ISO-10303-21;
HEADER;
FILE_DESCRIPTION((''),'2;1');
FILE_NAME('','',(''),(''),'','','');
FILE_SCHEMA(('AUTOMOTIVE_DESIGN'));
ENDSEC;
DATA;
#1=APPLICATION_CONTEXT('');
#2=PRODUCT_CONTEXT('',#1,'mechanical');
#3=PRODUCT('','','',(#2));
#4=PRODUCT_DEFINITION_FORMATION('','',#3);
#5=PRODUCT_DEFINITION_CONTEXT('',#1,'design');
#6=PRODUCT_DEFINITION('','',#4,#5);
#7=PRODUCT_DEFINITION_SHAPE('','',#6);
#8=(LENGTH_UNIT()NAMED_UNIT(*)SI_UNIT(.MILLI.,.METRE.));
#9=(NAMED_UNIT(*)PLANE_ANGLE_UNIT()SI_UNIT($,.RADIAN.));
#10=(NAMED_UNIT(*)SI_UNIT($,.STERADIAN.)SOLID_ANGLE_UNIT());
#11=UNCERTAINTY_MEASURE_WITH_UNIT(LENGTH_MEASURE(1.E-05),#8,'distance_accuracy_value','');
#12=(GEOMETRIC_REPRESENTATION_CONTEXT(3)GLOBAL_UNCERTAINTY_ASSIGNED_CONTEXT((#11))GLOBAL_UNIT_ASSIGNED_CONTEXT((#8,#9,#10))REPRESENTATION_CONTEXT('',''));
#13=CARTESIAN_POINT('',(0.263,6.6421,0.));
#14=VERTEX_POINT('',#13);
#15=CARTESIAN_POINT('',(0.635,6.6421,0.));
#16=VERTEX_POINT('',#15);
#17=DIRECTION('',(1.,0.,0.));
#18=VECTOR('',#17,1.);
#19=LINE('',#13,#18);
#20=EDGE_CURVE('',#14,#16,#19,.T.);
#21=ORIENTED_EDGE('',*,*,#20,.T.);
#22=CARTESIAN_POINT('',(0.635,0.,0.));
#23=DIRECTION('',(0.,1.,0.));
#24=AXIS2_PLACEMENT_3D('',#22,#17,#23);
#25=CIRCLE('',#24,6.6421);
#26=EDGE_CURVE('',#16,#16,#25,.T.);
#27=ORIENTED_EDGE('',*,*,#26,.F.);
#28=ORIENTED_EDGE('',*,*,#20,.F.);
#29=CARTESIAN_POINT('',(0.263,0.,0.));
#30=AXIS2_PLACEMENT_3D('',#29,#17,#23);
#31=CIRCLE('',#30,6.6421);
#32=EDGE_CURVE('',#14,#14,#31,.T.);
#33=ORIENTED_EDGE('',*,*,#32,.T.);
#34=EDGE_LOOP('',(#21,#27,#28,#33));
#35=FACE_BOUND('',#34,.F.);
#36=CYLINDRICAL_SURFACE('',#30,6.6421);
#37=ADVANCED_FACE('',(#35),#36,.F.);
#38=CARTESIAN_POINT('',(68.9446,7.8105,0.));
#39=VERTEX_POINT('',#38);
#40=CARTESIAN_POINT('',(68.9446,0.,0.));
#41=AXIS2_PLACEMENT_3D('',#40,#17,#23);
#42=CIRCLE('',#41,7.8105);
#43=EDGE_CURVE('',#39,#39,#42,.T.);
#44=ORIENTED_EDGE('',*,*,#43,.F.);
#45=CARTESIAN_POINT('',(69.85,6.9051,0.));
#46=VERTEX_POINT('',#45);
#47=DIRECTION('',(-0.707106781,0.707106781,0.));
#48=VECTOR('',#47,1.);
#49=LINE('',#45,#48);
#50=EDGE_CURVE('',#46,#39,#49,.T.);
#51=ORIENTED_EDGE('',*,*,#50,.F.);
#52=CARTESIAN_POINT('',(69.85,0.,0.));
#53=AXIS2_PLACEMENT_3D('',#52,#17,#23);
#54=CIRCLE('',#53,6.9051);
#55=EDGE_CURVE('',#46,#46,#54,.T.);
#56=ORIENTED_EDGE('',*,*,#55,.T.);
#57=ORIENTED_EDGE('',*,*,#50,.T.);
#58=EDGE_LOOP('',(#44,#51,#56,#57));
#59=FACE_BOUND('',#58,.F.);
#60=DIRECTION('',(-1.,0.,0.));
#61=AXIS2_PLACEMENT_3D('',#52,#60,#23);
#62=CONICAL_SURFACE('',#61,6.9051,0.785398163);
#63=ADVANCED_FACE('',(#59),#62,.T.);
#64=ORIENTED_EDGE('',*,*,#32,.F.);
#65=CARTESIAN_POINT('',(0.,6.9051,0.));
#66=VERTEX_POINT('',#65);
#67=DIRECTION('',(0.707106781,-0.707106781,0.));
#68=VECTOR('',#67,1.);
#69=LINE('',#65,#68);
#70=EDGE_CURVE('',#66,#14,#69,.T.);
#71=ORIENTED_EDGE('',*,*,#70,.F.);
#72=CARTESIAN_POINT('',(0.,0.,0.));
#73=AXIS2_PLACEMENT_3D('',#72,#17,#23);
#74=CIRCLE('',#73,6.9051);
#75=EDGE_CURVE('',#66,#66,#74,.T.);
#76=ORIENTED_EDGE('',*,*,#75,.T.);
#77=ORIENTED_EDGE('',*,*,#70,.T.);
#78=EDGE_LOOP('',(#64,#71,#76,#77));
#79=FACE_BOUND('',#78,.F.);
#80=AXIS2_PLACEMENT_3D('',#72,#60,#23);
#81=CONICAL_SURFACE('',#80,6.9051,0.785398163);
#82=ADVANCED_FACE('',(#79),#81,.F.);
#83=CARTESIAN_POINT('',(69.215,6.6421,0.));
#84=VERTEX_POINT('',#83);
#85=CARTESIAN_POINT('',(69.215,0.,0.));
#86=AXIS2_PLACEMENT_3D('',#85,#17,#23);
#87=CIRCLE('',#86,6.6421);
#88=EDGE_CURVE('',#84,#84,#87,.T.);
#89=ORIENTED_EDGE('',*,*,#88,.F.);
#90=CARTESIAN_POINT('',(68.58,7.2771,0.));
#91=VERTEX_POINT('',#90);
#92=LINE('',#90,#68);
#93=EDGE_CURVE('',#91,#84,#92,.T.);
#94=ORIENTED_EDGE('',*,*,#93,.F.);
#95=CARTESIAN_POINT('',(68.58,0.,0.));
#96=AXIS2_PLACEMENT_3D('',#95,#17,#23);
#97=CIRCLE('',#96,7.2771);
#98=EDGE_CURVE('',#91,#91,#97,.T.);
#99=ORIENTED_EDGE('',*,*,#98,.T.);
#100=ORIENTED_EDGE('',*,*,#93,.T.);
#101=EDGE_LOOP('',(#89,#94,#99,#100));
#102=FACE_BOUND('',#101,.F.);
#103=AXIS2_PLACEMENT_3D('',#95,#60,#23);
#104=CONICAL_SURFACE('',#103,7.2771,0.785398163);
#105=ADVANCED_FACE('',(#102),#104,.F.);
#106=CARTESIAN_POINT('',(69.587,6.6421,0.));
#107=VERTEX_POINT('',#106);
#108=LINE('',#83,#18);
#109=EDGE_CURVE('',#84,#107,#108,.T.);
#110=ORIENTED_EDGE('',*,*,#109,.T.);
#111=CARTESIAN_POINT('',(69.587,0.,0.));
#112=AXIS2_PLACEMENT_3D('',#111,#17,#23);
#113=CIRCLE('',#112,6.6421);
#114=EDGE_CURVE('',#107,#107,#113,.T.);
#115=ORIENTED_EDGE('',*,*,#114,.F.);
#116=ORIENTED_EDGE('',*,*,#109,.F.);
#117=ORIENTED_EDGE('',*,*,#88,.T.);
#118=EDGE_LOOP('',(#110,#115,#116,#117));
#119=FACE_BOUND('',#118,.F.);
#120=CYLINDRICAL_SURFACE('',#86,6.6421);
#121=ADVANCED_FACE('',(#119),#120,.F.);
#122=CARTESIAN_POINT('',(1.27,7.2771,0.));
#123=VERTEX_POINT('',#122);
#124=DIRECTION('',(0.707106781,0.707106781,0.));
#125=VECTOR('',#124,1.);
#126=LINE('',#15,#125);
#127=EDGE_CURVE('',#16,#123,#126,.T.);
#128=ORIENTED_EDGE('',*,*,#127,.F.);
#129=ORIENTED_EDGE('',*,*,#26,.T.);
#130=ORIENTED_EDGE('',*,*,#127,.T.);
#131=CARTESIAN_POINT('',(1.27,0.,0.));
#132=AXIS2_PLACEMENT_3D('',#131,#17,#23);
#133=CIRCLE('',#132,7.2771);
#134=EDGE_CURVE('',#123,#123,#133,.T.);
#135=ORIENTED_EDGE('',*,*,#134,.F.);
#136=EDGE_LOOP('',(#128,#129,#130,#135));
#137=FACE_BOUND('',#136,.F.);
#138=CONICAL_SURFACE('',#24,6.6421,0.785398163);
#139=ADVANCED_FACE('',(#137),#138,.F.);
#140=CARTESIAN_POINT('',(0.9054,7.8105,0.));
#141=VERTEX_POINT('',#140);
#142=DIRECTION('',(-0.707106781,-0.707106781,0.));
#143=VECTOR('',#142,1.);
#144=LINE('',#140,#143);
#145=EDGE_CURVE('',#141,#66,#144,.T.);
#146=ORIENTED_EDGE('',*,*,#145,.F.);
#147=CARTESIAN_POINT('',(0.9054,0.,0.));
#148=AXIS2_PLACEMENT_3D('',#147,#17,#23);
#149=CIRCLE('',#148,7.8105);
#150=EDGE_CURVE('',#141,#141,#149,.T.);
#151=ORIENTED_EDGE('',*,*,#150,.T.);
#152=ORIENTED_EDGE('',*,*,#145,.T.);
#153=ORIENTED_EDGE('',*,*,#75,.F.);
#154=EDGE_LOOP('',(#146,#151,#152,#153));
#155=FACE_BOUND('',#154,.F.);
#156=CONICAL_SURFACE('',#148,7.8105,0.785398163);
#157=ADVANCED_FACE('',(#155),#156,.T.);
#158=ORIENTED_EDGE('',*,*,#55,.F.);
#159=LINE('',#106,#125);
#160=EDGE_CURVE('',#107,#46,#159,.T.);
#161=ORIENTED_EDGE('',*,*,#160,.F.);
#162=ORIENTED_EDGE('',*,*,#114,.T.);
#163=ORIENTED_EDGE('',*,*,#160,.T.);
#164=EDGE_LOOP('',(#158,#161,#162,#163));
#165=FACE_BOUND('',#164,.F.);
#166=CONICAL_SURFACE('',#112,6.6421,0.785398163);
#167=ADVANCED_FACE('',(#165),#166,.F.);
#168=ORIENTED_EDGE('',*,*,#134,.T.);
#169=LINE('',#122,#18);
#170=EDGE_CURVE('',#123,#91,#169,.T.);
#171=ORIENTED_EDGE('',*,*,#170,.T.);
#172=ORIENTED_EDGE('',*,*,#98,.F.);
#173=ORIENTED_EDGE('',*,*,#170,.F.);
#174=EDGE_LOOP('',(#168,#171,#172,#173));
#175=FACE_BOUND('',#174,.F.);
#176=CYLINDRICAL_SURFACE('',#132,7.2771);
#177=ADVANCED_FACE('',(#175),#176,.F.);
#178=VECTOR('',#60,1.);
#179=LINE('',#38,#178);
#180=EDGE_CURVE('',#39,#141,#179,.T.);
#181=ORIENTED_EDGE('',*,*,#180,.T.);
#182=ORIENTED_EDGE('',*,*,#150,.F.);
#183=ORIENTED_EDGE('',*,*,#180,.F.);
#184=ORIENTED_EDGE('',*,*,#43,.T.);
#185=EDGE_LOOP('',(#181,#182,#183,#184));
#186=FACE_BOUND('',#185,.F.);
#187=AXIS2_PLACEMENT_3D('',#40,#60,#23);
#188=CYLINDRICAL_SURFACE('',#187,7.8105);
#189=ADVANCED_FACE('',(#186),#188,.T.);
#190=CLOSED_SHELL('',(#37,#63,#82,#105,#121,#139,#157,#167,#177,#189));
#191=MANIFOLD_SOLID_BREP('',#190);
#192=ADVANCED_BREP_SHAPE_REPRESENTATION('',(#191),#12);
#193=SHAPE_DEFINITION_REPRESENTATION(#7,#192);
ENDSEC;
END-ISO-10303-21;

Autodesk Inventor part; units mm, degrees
sketch "Sketch_5" plane through (0, 0, 0) normal (0, 0, 1) x (1, 0, 0)
  line L0 (69.85, 0) -> (-69.85, 0)
  line L1 (0, 6.9051) -> (0.263, 6.6421)
  line L2 (0.263, 6.6421) -> (0.635, 6.6421)
  line L3 (0.635, 6.6421) -> (1.27, 7.2771)
  line L4 (1.27, 7.2771) -> (68.58, 7.2771)
  line L5 (68.58, 7.2771) -> (69.215, 6.6421)
  line L6 (69.215, 6.6421) -> (69.587, 6.6421)
  line L7 (69.587, 6.6421) -> (69.85, 6.9051)
  line L8 (69.85, 6.9051) -> (68.9446, 7.8105)
  line L9 (68.9446, 7.8105) -> (0.9054, 7.8105)
  line L10 (0.9054, 7.8105) -> (0, 6.9051)
revolve "Revolution1" add sketch "Sketch_5" angle 360 about axis through (69.85, 0, 0) along (1, 0, 0)
ref_plane "o1_XY" through (0, -7.8105, 0) normal (1, 0, 0) x (0, 0, -1)
ref_plane "o1_YZ" through (0, -7.8105, 0) normal (0, 0, -1) x (0, 1, 0)
ref_plane "o1_ZX" through (0, -7.8105, 0) normal (0, 1, 0) x (1, 0, 0)
ref_plane "o2_XY" through (0, 7.8105, 0) normal (1, 0, 0) x (0, 0, -1)
ref_plane "o2_YZ" through (0, 7.8105, 0) normal (0, 0, -1) x (0, 1, 0)
ref_plane "o2_ZX" through (0, 7.8105, 0) normal (0, 1, 0) x (1, 0, 0)
ref_plane "t1_XY" through (34.925, 7.8105, 0) normal (1, 0, 0) x (0, 0, -1)
ref_plane "t1_YZ" through (34.925, 7.8105, 0) normal (0, 0, -1) x (0, 1, 0)
ref_plane "t1_ZX" through (34.925, 7.8105, 0) normal (0, 1, 0) x (1, 0, 0)
ref_plane "t2_XY" through (34.925, 0, -7.8105) normal (1, 0, 0) x (0, 0, -1)
ref_plane "t2_YZ" through (34.925, 0, -7.8105) normal (0, 0, -1) x (0, 1, 0)
ref_plane "t2_ZX" through (34.925, 0, -7.8105) normal (0, 1, 0) x (1, 0, 0)
ref_plane "t3_XY" through (34.925, -7.8105, 0) normal (1, 0, 0) x (0, 0, -1)
ref_plane "t3_YZ" through (34.925, -7.8105, 0) normal (0, 0, -1) x (0, 1, 0)
ref_plane "t3_ZX" through (34.925, -7.8105, 0) normal (0, 1, 0) x (1, 0, 0)
ref_plane "t4_XY" through (34.925, 0, 7.8105) normal (1, 0, 0) x (0, 0, -1)
ref_plane "t4_YZ" through (34.925, 0, 7.8105) normal (0, 0, -1) x (0, 1, 0)
ref_plane "t4_ZX" through (34.925, 0, 7.8105) normal (0, 1, 0) x (1, 0, 0)
ref_plane "tube1_XY" through (1.27, 0, 0) normal (1, 0, 0) x (0, 0, -1)
ref_plane "tube1_YZ" through (1.27, 0, 0) normal (0, 0, -1) x (0, 1, 0)
ref_plane "tube1_ZX" through (1.27, 0, 0) normal (0, 1, 0) x (1, 0, 0)
ref_plane "tube2_XY" through (68.58, 0, 0) normal (1, 0, 0) x (0, 0, -1)
ref_plane "tube2_YZ" through (68.58, 0, 0) normal (0, 0, -1) x (0, 1, 0)
ref_plane "tube2_ZX" through (68.58, 0, 0) normal (0, 1, 0) x (1, 0, 0)
properties part number "D-7516XP-2.75"
